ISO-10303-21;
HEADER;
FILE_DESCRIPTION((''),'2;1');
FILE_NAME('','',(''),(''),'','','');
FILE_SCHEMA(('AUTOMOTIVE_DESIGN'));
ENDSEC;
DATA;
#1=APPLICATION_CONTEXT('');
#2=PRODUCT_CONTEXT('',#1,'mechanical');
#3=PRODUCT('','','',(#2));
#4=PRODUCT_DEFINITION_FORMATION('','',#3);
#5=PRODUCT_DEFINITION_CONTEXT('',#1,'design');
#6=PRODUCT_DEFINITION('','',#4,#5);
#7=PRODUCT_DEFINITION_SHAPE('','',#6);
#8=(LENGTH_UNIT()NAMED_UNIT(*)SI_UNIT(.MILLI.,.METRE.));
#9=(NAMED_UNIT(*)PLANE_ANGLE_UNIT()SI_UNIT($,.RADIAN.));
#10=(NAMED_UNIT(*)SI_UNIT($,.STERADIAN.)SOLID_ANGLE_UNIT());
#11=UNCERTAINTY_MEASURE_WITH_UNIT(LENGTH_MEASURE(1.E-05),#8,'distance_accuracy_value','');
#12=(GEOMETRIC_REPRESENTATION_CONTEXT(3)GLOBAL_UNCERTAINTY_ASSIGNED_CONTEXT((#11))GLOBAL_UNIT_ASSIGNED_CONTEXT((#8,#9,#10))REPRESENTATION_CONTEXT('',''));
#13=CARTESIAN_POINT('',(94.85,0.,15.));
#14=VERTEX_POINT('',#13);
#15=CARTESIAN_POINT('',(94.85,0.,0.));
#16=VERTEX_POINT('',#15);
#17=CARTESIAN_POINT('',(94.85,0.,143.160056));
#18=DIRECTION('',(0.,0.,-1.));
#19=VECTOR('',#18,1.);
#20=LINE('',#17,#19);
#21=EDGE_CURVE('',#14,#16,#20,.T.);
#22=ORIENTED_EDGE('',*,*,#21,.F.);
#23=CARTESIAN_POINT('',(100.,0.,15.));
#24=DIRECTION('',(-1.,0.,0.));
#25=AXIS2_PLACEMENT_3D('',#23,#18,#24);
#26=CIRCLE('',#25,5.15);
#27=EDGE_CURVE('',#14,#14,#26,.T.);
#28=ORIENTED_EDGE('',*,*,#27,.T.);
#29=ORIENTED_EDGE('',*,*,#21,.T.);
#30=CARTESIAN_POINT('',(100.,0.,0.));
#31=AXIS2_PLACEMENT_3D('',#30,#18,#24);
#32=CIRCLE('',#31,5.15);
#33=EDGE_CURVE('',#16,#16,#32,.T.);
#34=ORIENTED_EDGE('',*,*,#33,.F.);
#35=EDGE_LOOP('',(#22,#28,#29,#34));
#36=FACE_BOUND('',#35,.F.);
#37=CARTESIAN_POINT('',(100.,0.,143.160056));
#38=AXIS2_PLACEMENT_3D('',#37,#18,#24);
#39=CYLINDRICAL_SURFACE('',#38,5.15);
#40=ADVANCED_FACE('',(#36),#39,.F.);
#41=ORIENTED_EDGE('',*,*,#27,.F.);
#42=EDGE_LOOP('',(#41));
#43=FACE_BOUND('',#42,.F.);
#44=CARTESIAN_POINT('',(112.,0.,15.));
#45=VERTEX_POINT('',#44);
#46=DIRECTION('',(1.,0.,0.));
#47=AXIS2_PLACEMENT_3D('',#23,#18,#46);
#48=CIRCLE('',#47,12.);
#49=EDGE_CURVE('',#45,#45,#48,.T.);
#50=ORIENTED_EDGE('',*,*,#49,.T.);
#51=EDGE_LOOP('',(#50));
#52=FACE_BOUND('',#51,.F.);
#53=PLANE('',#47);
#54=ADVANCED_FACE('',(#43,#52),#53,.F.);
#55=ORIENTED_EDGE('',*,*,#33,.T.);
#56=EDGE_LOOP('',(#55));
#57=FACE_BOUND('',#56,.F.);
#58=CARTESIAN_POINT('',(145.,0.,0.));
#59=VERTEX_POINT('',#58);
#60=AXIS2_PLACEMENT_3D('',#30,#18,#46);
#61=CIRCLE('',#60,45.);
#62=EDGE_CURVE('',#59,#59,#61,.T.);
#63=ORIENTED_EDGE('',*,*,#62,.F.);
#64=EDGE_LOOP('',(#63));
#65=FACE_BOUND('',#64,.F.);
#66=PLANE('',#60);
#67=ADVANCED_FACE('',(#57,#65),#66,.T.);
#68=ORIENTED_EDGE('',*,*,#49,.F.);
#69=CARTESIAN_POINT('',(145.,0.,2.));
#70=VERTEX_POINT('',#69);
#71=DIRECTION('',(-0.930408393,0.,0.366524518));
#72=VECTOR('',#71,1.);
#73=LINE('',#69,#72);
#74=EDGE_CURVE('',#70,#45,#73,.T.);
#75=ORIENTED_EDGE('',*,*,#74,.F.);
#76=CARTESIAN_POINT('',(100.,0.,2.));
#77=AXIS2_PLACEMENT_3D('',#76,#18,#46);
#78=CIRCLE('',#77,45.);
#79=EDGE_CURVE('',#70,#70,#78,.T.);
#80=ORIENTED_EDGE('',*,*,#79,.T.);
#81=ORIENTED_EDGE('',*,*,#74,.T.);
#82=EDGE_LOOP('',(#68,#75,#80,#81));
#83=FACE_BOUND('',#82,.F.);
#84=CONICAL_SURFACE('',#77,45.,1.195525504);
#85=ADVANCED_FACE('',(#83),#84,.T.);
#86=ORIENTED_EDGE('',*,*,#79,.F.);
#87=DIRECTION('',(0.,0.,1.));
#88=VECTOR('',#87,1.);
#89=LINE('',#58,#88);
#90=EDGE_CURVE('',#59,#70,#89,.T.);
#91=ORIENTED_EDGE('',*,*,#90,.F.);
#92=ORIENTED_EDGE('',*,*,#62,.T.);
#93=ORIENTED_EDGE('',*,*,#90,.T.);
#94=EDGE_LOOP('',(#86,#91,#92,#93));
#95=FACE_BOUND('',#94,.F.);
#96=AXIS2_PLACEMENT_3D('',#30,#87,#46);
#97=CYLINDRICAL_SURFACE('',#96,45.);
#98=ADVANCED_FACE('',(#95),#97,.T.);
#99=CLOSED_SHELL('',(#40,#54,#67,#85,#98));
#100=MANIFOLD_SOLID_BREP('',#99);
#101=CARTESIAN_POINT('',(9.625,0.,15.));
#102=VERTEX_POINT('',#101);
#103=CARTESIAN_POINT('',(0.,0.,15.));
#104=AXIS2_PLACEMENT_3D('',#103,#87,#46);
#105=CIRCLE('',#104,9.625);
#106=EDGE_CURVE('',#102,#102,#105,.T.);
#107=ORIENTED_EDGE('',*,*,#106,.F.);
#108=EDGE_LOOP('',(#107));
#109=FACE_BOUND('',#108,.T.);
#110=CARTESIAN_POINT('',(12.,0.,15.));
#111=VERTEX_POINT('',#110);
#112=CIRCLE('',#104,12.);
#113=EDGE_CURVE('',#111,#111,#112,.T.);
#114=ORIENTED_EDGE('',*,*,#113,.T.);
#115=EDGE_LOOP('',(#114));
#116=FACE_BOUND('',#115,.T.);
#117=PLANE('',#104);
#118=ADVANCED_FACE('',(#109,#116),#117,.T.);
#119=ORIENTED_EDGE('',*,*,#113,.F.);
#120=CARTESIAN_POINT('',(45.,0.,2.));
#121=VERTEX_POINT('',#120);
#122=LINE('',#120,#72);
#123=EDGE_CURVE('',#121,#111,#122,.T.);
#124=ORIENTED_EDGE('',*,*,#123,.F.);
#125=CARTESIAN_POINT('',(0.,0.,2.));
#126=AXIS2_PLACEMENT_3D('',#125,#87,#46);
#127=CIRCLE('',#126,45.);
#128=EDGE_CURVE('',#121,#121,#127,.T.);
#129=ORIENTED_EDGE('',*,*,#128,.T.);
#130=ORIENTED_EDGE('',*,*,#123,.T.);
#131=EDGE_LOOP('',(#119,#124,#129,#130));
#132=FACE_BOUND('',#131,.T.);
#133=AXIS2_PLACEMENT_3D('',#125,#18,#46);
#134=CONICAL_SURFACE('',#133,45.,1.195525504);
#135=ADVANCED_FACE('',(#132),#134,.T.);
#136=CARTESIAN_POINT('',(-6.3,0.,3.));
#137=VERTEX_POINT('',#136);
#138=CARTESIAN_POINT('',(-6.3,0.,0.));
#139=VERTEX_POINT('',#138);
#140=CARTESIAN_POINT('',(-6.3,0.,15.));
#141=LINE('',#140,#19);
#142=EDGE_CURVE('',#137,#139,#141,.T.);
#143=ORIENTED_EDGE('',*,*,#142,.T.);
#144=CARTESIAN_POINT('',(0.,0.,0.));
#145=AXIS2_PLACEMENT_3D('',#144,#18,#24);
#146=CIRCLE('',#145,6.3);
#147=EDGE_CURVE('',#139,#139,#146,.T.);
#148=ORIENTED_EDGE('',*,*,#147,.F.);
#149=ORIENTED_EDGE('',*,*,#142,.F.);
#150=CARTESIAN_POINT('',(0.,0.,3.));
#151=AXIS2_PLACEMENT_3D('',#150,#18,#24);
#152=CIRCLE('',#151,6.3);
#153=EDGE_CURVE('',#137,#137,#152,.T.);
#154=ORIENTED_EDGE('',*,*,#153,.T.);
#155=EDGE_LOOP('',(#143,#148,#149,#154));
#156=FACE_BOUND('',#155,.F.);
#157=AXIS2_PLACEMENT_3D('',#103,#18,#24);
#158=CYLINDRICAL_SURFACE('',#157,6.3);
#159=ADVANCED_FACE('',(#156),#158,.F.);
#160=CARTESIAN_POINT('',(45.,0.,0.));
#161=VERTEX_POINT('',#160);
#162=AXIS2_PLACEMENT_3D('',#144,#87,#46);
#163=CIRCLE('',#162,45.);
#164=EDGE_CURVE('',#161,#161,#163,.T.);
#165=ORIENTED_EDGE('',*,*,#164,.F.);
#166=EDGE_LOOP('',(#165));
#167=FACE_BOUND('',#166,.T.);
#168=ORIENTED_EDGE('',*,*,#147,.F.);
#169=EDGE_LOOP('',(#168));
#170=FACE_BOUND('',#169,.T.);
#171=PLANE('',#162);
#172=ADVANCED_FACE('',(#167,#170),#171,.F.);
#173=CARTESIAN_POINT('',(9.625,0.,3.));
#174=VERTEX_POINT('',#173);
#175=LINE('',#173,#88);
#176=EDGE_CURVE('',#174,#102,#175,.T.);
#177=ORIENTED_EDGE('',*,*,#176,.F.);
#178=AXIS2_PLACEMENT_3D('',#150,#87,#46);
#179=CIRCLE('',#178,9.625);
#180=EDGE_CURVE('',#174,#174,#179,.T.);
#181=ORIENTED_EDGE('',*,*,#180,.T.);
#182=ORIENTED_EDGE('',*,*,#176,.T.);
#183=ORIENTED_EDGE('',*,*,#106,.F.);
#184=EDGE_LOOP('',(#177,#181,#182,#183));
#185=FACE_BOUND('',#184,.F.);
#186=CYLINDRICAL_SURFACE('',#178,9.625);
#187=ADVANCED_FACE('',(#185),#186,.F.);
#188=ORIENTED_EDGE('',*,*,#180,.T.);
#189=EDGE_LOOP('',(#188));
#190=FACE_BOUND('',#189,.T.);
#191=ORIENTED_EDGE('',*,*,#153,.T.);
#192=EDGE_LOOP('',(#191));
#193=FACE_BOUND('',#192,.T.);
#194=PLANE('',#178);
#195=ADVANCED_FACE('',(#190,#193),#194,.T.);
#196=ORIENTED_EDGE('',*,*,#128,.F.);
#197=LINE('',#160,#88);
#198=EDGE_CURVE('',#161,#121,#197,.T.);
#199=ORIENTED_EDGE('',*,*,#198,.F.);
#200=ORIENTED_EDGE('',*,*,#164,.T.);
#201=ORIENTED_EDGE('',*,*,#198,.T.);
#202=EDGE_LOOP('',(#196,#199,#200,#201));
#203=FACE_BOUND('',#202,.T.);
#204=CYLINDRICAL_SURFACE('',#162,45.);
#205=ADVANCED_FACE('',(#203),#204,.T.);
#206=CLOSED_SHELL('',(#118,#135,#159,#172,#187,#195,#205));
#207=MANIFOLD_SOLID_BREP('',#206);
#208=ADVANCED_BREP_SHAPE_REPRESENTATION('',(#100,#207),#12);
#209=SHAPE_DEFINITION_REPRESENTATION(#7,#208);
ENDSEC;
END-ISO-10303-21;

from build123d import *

# Parameters (mm, degrees)
F3_D           = 12.6
F3_CBORE_D     = 19.25
F3_CBORE_DEPTH = 12
F9_D           = 10.3


with BuildPart() as f1:
    # F0 (on Front) → F1 (revolve)
    with BuildSketch(Plane.XZ):
        Polygon((0, 15), (0, 0), (45, 0), (45, 2), (12, 15), align=None)
    revolve(axis=Axis((0, 0, 10.7102552429), (0, 0, 1)))

    # F3 (through all)
    with Locations(Plane.XY.offset(15)):
        with Locations((0, 0)):
            CounterBoreHole(F3_D / 2, F3_CBORE_D / 2, F3_CBORE_DEPTH)


with BuildPart() as f4_1:
    # F4: copy of F1
    add(f1.part.moved(Location((100, 0, 0))))


with BuildPart() as f7:
    # F6 (on Front) → F7 (revolve)
    with BuildSketch(Plane.XZ):
        Polygon((100, 15), (100, 0), (145, 0), (145, 2), (112, 15), align=None)
    revolve(axis=Axis((100, 0, 7.5), (0, 0, -1)))

    # F9 (through all)
    with Locations(Plane.XY.offset(15)):
        with Locations((100, 0)):
            Hole(F9_D / 2)


solid = Compound([f1.part, f7.part])
